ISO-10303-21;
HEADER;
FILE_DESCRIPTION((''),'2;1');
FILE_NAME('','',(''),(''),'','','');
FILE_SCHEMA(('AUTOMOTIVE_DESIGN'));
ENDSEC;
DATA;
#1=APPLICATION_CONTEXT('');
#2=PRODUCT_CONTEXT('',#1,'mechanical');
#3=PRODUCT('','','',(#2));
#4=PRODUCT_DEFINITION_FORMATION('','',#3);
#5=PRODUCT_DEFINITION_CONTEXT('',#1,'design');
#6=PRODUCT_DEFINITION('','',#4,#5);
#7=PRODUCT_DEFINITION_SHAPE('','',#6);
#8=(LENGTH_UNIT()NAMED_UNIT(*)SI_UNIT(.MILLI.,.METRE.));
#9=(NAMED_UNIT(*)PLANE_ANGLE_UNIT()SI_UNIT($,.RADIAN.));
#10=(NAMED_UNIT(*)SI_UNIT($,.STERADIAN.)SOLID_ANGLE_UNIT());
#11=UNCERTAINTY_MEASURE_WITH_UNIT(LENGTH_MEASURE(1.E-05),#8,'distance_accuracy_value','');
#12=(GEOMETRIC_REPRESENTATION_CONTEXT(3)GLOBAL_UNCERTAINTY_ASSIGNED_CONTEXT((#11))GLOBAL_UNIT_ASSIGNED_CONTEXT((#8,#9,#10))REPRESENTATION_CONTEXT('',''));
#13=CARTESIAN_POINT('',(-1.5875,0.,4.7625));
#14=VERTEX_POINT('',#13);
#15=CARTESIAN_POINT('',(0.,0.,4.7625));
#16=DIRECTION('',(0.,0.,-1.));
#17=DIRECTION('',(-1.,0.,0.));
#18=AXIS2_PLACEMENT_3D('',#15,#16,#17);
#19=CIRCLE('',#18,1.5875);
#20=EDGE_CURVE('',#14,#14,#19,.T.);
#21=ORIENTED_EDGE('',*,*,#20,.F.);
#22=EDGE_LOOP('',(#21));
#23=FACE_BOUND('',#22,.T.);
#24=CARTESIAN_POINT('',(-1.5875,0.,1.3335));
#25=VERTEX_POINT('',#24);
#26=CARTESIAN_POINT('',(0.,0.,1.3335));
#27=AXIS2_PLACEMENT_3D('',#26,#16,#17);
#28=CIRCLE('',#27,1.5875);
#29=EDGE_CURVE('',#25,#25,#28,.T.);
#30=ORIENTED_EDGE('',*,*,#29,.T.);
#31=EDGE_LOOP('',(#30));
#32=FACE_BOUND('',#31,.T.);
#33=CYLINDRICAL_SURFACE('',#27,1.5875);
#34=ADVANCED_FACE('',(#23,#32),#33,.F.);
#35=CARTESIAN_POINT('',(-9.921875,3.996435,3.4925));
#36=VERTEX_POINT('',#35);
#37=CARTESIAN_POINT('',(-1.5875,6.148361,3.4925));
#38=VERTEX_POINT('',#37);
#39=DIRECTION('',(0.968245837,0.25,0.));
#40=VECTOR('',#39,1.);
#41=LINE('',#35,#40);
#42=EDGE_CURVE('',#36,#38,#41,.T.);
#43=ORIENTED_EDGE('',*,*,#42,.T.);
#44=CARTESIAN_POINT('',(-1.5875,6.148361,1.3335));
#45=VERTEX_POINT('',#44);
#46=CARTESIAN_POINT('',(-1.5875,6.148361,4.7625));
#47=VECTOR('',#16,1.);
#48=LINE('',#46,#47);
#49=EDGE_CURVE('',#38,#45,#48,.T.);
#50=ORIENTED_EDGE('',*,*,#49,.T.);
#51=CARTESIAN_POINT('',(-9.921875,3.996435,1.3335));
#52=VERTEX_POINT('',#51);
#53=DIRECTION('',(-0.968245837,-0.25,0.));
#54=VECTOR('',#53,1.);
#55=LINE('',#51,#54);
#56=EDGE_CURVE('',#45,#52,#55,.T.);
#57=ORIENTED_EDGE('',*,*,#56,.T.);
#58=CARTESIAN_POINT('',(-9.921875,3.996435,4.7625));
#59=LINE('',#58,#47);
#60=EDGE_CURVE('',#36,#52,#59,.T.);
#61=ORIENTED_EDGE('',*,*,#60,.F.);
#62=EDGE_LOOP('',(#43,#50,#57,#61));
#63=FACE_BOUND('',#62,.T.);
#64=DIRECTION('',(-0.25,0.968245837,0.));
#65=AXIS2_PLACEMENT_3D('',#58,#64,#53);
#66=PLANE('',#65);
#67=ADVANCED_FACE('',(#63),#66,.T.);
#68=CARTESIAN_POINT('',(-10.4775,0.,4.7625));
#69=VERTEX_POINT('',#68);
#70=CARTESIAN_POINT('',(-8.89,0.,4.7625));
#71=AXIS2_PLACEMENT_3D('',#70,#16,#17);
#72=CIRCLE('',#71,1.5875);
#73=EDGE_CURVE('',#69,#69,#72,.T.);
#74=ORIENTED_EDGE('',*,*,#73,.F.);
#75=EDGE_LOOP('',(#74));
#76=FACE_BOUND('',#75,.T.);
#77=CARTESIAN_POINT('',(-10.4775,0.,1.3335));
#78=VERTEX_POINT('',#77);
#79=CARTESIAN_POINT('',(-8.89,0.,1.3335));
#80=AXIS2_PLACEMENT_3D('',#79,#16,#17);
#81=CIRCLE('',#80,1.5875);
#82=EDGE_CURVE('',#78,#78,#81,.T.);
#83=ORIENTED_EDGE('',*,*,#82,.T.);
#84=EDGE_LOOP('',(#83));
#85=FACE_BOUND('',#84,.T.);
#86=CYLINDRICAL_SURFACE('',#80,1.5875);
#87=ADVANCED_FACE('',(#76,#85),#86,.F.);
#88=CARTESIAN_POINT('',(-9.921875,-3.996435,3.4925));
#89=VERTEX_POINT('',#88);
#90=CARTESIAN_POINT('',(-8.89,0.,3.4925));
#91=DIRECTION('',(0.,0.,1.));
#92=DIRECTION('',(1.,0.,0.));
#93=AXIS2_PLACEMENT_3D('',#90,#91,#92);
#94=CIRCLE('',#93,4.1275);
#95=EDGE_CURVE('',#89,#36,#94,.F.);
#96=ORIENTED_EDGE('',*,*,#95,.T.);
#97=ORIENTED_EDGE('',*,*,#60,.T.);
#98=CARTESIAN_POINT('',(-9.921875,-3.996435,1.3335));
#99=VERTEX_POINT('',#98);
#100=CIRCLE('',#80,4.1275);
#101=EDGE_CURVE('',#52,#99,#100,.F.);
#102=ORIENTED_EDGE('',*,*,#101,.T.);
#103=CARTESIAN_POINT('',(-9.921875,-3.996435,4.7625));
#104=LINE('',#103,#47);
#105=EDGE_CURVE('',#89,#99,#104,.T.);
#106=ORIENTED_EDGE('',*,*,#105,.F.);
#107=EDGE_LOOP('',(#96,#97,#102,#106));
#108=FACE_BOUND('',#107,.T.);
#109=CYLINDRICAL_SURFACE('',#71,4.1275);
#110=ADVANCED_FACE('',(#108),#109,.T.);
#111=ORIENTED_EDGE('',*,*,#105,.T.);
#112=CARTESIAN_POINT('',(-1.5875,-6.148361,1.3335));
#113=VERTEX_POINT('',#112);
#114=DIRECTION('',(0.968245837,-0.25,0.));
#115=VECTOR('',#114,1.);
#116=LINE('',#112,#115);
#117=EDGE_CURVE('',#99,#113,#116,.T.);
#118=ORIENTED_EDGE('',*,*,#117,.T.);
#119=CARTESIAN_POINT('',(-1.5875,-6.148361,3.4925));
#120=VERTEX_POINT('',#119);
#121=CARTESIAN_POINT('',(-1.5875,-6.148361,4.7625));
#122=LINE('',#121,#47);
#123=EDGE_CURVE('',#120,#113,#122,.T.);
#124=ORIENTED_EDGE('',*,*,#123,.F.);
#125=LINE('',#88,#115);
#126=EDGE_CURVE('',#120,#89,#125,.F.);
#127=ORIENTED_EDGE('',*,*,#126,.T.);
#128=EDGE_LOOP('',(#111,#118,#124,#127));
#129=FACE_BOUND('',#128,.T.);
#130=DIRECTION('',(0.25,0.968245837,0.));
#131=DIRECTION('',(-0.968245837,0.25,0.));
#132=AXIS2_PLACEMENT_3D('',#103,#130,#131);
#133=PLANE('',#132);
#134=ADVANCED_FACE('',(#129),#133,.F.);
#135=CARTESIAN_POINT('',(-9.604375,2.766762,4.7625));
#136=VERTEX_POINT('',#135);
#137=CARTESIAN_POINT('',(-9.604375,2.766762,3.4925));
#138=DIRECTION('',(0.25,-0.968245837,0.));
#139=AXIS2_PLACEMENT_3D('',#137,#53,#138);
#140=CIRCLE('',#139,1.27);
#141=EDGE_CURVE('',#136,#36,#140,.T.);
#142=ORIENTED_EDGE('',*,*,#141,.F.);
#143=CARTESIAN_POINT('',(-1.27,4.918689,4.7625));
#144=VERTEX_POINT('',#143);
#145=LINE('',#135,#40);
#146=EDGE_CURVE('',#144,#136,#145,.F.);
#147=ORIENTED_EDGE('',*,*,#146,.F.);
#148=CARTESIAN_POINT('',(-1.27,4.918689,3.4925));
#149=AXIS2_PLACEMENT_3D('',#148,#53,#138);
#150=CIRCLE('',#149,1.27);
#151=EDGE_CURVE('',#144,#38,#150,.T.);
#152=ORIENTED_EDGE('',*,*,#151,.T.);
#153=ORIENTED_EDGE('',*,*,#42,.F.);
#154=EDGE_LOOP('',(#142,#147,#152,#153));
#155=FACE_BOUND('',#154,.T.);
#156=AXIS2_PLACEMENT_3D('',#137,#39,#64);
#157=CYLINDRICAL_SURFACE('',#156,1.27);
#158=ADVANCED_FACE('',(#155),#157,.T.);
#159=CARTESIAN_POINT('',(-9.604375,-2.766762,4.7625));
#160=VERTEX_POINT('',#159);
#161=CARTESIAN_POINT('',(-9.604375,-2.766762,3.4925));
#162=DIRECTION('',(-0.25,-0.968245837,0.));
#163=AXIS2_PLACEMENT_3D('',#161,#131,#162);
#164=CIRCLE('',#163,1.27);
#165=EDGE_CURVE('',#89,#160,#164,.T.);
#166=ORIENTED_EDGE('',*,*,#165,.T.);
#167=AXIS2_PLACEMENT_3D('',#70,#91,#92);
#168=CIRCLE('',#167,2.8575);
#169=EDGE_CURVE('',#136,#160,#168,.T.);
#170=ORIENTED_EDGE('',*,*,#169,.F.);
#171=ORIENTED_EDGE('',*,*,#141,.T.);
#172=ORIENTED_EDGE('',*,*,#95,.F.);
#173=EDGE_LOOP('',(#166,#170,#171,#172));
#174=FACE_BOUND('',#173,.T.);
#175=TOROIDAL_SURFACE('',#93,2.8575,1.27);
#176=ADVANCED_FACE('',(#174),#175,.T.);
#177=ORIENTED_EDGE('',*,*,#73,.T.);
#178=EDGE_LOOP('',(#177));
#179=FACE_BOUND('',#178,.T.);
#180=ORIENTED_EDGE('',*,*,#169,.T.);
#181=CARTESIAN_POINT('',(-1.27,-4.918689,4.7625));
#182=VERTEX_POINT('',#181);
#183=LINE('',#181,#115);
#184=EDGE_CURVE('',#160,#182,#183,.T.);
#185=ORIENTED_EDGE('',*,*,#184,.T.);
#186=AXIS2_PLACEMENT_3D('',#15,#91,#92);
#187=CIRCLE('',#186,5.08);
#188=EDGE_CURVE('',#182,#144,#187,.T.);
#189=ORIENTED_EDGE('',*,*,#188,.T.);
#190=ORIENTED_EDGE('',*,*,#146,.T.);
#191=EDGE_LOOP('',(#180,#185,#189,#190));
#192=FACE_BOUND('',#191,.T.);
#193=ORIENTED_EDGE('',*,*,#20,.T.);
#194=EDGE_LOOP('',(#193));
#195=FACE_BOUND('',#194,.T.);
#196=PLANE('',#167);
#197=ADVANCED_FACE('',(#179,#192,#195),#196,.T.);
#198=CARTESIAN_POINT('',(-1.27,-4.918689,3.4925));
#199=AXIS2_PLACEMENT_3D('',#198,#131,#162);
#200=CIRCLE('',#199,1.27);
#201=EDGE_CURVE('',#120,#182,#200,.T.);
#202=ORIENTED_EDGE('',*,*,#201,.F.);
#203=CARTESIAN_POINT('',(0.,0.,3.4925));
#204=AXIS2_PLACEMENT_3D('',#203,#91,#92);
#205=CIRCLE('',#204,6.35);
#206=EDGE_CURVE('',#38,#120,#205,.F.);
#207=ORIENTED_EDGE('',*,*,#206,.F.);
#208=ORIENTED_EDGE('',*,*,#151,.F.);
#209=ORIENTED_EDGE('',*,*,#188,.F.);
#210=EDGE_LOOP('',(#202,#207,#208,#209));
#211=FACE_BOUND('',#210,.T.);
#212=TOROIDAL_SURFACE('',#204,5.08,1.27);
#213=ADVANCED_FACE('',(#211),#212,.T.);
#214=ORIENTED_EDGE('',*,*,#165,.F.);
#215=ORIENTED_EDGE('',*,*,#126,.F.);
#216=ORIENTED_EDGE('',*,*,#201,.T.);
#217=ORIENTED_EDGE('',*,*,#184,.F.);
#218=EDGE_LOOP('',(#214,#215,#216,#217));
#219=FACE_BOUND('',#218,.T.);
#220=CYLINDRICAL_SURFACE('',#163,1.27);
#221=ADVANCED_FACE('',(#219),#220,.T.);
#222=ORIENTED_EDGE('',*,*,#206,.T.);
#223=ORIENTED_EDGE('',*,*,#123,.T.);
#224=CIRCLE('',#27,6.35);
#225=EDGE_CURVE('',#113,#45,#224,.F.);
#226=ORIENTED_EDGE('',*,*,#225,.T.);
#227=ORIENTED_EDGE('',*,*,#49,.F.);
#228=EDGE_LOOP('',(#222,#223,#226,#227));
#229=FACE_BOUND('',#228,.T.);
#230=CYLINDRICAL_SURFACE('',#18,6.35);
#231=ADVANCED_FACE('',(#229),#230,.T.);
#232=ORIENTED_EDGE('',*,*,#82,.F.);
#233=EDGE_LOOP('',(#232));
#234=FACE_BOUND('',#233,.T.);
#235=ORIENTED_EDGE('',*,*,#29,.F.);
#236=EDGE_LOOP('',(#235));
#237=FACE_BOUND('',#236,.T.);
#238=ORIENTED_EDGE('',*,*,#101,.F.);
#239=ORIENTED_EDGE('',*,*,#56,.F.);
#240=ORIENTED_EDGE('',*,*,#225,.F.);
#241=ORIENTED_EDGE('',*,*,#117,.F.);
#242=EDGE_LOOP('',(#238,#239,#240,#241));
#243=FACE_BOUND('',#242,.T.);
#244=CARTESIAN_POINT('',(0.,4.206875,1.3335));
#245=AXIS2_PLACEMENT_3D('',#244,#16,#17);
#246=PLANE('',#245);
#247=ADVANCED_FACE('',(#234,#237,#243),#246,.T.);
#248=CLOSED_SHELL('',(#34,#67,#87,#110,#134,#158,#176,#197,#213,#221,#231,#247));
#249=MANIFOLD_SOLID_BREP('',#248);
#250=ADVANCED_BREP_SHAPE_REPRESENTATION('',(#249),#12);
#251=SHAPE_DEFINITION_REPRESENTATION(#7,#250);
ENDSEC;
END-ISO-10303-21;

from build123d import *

# Parameters (mm, degrees)
BOSS_EXTRUDE1_DEPTH        = 4.7625
CUT_EXTRUDE1_DEPTH         = 1.3335
F_1_8_0_1250_DOWEL_HOLE1_D = 3.175
FILLET1_R                  = 1.27


with BuildPart() as part:
    # Sketch1 → Boss-Extrude1 (new body)
    with BuildSketch(Plane.XY):
        with BuildLine():
            Line((-9.921875, 3.99643469), (-1.5875, 6.148361062))
            ThreePointArc((-1.5875, 6.148361062), (6.35, 0), (-1.5875, -6.148361062))
            Line((-1.5875, -6.148361062), (-9.921875, -3.99643469))
            ThreePointArc((-9.921875, -3.99643469), (-13.0175, 0), (-9.921875, 3.99643469))
        make_face()
    extrude(amount=BOSS_EXTRUDE1_DEPTH)

    # Sketch2 → Cut-Extrude1 (cut)
    with BuildSketch(Plane(origin=(0, 0, 0), x_dir=(-1, 0, 0), z_dir=(0, 0, -1))):
        with BuildLine():
            Line((9.921875, 3.99643469), (1.5875, 6.148361062))
            ThreePointArc((1.5875, 6.148361062), (-6.35, 0), (1.5875, -6.148361062))
            Line((1.5875, -6.148361062), (9.921875, -3.99643469))
            ThreePointArc((9.921875, -3.99643469), (13.0175, 0), (9.921875, 3.99643469))
        make_face()
    extrude(amount=-CUT_EXTRUDE1_DEPTH, mode=Mode.SUBTRACT)

    # 1/8 (0.1250) Dowel Hole1 (through all)
    with Locations(Plane(origin=(0, 0, 1.3335), x_dir=(-1, 0, 0), z_dir=(0, 0, -1))):
        with Locations((8.89, 0), (0, 0)):
            Hole(F_1_8_0_1250_DOWEL_HOLE1_D / 2)

    # Fillet1
    fillet1_edges = [part.edges().sort_by_distance(p)[0] for p in [
        (6.35, 0, 4.7625),
        (-5.7546875, 5.072397876, 4.7625),
        (-13.0175, 0, 4.7625),
        (-5.7546875, -5.072397876, 4.7625),
    ]]
    fillet(fillet1_edges, radius=FILLET1_R)


solid = part.part
